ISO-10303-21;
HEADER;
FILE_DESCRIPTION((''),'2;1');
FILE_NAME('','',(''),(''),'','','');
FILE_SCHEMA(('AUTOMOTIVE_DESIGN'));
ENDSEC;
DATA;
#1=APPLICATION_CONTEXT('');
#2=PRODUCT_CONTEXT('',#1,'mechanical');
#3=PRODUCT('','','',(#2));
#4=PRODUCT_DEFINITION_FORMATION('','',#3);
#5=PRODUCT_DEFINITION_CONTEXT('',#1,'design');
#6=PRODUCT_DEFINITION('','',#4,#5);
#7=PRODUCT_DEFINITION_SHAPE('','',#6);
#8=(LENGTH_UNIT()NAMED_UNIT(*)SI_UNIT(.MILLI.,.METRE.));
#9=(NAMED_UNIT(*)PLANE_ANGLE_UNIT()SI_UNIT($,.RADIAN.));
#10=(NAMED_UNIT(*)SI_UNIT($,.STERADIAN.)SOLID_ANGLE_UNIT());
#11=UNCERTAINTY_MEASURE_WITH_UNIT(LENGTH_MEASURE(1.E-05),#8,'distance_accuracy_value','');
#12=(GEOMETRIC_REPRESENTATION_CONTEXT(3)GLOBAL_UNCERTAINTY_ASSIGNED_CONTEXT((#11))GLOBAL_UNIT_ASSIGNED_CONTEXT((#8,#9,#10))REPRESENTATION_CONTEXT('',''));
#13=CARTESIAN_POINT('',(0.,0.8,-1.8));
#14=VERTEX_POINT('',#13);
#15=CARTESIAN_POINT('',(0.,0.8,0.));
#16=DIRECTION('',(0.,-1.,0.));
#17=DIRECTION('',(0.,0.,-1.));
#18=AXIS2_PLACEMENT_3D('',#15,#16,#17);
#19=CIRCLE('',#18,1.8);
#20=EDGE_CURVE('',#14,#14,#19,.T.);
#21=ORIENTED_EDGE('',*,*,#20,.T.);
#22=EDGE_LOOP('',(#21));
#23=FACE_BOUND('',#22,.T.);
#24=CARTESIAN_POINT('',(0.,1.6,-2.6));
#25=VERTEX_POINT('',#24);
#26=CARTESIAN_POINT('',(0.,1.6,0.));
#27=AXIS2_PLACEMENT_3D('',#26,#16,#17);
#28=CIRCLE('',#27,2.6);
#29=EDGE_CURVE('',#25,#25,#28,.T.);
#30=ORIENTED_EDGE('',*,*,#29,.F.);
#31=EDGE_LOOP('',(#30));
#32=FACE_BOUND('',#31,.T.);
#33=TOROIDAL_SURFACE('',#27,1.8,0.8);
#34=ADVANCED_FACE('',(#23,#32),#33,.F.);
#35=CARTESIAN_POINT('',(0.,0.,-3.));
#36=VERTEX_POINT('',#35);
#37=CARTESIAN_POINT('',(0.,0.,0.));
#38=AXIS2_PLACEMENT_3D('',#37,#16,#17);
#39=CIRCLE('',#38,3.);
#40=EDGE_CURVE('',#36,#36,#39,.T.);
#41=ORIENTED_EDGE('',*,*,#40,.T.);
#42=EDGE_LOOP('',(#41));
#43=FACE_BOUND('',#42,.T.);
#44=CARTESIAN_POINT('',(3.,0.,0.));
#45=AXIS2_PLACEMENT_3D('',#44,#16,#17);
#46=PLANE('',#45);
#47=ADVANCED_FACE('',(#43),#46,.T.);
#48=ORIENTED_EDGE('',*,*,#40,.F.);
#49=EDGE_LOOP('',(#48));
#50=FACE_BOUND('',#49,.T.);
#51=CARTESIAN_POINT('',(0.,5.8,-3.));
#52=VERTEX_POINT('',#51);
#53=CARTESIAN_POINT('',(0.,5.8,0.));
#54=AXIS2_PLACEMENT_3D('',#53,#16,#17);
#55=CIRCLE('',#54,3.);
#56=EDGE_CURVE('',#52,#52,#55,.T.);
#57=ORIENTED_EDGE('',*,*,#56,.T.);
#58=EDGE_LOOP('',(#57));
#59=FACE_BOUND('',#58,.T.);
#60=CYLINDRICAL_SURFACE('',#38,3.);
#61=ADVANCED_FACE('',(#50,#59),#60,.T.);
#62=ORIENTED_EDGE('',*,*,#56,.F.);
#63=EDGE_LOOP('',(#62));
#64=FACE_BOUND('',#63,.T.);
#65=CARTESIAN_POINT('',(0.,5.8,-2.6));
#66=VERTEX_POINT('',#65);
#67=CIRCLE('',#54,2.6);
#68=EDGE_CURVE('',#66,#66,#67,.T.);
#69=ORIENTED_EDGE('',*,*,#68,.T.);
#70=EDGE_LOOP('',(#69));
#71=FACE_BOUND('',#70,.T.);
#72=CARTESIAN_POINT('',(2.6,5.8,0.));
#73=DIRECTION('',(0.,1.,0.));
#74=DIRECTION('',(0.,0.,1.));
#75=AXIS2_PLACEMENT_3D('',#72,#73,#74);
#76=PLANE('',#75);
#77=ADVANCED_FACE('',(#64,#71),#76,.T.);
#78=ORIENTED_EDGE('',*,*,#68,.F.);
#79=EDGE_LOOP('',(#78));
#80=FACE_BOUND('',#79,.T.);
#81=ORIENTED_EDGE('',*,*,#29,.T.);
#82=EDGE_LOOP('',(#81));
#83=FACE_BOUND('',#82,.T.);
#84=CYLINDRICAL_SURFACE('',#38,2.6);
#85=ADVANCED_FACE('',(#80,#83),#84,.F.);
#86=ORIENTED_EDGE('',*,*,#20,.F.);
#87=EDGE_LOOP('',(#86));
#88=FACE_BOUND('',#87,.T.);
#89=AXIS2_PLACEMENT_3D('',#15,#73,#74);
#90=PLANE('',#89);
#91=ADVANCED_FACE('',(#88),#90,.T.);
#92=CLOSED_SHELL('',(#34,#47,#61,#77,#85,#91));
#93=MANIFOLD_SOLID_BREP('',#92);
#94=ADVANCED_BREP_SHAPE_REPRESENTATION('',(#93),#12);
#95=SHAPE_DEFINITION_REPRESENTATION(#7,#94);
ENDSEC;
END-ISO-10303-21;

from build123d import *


with BuildPart() as part:
    # Sketch1 → Revolve1 (revolve)
    with BuildSketch(Plane.XY, mode=Mode.PRIVATE) as revolve1_sk:
        with BuildLine():
            Line((0, 0), (0, 0.8))
            Line((0, 0.8), (1.8, 0.8))
            ThreePointArc((1.8, 0.8), (2.365685425, 1.034314575), (2.6, 1.6))
            Line((2.6, 1.6), (2.6, 5.8))
            Line((2.6, 5.8), (3, 5.8))
            Line((3, 5.8), (3, 0))
            Line((3, 0), (0, 0))
        make_face()
    revolve(revolve1_sk.sketch.rotate(Axis((0, 0, 0), (0, 1, 0)), 90), axis=Axis((0, 0, 0), (0, 1, 0)))


solid = part.part
